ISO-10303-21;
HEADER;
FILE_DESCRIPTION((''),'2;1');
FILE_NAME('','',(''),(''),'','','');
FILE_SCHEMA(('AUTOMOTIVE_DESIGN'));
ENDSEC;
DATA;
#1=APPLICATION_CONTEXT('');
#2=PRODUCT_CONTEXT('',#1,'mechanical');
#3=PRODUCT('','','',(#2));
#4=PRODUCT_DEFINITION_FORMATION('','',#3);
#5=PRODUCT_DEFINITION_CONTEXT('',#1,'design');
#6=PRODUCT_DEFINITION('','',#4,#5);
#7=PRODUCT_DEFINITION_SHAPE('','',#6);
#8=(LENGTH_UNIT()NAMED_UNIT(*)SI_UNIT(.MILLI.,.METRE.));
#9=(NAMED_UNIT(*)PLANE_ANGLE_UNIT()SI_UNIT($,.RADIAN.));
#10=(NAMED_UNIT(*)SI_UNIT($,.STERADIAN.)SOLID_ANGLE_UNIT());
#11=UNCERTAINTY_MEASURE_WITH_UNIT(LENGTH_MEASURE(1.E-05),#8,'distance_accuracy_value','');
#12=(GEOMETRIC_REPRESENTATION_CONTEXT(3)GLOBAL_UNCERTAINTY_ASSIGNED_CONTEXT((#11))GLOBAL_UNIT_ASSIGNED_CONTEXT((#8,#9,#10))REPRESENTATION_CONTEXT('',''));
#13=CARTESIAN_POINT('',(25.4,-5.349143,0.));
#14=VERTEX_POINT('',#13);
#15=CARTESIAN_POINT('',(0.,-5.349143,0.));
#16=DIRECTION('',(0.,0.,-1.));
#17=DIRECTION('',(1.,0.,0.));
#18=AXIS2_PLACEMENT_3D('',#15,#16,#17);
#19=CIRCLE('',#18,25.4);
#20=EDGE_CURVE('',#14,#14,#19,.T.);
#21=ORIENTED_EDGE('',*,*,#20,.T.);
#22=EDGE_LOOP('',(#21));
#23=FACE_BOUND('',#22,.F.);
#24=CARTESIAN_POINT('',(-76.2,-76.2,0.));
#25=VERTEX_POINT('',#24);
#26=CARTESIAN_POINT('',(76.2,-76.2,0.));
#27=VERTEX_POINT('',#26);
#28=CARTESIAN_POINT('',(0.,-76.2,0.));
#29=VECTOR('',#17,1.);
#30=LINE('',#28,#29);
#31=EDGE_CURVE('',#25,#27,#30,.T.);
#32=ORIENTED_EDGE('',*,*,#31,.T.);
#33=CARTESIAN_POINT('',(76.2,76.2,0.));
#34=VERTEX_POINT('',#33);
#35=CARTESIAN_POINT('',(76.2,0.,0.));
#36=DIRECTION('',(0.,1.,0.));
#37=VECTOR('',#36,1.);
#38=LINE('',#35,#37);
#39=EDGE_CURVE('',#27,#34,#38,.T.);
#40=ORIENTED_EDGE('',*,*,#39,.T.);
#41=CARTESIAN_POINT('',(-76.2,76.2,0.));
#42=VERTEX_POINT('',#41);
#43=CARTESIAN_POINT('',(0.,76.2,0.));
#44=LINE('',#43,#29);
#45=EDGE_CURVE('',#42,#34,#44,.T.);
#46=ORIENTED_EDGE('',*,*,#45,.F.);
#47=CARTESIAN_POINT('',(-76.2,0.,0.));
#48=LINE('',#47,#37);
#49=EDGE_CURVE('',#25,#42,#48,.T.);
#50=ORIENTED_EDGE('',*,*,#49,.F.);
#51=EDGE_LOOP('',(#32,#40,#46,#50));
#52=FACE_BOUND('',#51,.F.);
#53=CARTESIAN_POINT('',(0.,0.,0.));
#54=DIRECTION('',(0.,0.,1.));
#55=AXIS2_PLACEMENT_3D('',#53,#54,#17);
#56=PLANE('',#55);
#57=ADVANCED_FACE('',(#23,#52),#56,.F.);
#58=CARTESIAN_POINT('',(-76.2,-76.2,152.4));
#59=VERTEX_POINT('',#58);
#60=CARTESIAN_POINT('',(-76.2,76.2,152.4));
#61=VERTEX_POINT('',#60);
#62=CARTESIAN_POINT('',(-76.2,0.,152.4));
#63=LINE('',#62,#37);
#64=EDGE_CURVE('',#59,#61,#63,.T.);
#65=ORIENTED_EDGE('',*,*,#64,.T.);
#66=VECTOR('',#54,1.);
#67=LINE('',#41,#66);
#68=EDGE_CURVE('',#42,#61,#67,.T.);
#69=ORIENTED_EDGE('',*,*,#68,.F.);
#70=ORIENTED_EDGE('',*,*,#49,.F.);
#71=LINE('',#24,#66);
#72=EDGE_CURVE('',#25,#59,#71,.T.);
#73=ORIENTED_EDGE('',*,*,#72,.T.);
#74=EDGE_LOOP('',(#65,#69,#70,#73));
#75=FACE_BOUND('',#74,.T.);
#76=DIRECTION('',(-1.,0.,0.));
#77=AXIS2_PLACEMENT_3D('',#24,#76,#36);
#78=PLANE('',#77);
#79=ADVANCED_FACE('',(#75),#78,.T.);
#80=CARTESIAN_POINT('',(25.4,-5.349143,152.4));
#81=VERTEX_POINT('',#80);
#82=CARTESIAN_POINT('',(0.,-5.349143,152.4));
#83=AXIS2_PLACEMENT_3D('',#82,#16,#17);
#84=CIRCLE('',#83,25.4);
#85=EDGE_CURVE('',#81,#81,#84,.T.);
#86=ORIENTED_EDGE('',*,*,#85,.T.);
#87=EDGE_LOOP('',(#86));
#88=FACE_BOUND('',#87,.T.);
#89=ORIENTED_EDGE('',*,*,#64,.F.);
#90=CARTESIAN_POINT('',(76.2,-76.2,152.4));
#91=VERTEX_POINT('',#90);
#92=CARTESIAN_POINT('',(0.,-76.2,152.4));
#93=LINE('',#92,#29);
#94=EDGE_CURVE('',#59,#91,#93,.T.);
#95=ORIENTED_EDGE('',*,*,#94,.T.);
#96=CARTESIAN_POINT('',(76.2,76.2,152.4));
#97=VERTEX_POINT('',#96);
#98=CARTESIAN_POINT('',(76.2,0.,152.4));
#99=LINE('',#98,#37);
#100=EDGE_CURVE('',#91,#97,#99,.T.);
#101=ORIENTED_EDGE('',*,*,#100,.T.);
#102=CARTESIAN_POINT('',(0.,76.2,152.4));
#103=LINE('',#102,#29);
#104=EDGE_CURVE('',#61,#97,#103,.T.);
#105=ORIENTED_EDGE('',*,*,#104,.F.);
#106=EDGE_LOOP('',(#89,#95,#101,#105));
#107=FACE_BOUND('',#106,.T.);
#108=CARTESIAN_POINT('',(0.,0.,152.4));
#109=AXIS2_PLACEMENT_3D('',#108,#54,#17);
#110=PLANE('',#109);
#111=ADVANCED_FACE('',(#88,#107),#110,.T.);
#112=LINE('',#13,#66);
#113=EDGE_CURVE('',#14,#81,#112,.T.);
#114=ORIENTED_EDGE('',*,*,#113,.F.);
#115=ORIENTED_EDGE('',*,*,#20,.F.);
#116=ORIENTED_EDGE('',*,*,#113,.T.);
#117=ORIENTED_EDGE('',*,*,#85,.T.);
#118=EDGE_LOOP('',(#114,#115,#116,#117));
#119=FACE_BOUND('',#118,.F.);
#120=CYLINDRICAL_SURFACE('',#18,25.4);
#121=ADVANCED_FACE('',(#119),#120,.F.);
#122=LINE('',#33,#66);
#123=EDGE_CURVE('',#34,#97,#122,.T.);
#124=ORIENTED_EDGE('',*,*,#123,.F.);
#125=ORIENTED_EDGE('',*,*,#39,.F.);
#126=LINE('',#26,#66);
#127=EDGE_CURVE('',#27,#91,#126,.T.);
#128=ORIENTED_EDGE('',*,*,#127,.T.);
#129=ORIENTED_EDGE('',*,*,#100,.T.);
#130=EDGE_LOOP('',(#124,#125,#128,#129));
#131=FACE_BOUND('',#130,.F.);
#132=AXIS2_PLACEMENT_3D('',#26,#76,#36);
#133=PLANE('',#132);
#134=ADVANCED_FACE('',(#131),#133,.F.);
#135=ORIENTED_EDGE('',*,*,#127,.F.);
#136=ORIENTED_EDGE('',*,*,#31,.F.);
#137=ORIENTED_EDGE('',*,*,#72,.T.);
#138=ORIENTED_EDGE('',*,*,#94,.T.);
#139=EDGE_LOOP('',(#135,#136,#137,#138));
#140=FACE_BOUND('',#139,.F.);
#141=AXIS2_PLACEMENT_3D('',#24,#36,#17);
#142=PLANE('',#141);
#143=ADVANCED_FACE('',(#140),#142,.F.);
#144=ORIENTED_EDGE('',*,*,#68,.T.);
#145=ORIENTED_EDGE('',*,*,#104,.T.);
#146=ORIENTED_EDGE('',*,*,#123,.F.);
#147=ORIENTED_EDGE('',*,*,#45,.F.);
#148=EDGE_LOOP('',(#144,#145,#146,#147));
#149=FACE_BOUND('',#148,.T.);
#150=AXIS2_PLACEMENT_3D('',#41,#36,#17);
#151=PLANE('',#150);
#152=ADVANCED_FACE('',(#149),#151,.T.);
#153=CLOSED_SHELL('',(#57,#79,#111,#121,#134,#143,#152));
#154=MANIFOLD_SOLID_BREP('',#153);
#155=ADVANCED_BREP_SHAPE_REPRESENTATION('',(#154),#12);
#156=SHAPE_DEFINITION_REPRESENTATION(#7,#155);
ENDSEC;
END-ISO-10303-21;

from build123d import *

# Parameters (mm, degrees)
F0_W     = 152.4
F0_H     = 152.4
F1_DEPTH = 152.4
F2_R     = 25.4
F3_DEPTH = 152.401


with BuildPart() as f1:
    # F0 (on Top) → F1 (new body)
    with BuildSketch(Plane.XY):
        Rectangle(F0_W, F0_H)
    extrude(amount=F1_DEPTH)

    # F2 (on face) → F3 (cut, through all)
    with BuildSketch(Plane(origin=(0, 0, 0), x_dir=(1, 0, 0), z_dir=(0, 0, -1))):
        with Locations((0, 5.349143)):
            Circle(F2_R)
    extrude(amount=-F3_DEPTH, mode=Mode.SUBTRACT)


solid = f1.part
